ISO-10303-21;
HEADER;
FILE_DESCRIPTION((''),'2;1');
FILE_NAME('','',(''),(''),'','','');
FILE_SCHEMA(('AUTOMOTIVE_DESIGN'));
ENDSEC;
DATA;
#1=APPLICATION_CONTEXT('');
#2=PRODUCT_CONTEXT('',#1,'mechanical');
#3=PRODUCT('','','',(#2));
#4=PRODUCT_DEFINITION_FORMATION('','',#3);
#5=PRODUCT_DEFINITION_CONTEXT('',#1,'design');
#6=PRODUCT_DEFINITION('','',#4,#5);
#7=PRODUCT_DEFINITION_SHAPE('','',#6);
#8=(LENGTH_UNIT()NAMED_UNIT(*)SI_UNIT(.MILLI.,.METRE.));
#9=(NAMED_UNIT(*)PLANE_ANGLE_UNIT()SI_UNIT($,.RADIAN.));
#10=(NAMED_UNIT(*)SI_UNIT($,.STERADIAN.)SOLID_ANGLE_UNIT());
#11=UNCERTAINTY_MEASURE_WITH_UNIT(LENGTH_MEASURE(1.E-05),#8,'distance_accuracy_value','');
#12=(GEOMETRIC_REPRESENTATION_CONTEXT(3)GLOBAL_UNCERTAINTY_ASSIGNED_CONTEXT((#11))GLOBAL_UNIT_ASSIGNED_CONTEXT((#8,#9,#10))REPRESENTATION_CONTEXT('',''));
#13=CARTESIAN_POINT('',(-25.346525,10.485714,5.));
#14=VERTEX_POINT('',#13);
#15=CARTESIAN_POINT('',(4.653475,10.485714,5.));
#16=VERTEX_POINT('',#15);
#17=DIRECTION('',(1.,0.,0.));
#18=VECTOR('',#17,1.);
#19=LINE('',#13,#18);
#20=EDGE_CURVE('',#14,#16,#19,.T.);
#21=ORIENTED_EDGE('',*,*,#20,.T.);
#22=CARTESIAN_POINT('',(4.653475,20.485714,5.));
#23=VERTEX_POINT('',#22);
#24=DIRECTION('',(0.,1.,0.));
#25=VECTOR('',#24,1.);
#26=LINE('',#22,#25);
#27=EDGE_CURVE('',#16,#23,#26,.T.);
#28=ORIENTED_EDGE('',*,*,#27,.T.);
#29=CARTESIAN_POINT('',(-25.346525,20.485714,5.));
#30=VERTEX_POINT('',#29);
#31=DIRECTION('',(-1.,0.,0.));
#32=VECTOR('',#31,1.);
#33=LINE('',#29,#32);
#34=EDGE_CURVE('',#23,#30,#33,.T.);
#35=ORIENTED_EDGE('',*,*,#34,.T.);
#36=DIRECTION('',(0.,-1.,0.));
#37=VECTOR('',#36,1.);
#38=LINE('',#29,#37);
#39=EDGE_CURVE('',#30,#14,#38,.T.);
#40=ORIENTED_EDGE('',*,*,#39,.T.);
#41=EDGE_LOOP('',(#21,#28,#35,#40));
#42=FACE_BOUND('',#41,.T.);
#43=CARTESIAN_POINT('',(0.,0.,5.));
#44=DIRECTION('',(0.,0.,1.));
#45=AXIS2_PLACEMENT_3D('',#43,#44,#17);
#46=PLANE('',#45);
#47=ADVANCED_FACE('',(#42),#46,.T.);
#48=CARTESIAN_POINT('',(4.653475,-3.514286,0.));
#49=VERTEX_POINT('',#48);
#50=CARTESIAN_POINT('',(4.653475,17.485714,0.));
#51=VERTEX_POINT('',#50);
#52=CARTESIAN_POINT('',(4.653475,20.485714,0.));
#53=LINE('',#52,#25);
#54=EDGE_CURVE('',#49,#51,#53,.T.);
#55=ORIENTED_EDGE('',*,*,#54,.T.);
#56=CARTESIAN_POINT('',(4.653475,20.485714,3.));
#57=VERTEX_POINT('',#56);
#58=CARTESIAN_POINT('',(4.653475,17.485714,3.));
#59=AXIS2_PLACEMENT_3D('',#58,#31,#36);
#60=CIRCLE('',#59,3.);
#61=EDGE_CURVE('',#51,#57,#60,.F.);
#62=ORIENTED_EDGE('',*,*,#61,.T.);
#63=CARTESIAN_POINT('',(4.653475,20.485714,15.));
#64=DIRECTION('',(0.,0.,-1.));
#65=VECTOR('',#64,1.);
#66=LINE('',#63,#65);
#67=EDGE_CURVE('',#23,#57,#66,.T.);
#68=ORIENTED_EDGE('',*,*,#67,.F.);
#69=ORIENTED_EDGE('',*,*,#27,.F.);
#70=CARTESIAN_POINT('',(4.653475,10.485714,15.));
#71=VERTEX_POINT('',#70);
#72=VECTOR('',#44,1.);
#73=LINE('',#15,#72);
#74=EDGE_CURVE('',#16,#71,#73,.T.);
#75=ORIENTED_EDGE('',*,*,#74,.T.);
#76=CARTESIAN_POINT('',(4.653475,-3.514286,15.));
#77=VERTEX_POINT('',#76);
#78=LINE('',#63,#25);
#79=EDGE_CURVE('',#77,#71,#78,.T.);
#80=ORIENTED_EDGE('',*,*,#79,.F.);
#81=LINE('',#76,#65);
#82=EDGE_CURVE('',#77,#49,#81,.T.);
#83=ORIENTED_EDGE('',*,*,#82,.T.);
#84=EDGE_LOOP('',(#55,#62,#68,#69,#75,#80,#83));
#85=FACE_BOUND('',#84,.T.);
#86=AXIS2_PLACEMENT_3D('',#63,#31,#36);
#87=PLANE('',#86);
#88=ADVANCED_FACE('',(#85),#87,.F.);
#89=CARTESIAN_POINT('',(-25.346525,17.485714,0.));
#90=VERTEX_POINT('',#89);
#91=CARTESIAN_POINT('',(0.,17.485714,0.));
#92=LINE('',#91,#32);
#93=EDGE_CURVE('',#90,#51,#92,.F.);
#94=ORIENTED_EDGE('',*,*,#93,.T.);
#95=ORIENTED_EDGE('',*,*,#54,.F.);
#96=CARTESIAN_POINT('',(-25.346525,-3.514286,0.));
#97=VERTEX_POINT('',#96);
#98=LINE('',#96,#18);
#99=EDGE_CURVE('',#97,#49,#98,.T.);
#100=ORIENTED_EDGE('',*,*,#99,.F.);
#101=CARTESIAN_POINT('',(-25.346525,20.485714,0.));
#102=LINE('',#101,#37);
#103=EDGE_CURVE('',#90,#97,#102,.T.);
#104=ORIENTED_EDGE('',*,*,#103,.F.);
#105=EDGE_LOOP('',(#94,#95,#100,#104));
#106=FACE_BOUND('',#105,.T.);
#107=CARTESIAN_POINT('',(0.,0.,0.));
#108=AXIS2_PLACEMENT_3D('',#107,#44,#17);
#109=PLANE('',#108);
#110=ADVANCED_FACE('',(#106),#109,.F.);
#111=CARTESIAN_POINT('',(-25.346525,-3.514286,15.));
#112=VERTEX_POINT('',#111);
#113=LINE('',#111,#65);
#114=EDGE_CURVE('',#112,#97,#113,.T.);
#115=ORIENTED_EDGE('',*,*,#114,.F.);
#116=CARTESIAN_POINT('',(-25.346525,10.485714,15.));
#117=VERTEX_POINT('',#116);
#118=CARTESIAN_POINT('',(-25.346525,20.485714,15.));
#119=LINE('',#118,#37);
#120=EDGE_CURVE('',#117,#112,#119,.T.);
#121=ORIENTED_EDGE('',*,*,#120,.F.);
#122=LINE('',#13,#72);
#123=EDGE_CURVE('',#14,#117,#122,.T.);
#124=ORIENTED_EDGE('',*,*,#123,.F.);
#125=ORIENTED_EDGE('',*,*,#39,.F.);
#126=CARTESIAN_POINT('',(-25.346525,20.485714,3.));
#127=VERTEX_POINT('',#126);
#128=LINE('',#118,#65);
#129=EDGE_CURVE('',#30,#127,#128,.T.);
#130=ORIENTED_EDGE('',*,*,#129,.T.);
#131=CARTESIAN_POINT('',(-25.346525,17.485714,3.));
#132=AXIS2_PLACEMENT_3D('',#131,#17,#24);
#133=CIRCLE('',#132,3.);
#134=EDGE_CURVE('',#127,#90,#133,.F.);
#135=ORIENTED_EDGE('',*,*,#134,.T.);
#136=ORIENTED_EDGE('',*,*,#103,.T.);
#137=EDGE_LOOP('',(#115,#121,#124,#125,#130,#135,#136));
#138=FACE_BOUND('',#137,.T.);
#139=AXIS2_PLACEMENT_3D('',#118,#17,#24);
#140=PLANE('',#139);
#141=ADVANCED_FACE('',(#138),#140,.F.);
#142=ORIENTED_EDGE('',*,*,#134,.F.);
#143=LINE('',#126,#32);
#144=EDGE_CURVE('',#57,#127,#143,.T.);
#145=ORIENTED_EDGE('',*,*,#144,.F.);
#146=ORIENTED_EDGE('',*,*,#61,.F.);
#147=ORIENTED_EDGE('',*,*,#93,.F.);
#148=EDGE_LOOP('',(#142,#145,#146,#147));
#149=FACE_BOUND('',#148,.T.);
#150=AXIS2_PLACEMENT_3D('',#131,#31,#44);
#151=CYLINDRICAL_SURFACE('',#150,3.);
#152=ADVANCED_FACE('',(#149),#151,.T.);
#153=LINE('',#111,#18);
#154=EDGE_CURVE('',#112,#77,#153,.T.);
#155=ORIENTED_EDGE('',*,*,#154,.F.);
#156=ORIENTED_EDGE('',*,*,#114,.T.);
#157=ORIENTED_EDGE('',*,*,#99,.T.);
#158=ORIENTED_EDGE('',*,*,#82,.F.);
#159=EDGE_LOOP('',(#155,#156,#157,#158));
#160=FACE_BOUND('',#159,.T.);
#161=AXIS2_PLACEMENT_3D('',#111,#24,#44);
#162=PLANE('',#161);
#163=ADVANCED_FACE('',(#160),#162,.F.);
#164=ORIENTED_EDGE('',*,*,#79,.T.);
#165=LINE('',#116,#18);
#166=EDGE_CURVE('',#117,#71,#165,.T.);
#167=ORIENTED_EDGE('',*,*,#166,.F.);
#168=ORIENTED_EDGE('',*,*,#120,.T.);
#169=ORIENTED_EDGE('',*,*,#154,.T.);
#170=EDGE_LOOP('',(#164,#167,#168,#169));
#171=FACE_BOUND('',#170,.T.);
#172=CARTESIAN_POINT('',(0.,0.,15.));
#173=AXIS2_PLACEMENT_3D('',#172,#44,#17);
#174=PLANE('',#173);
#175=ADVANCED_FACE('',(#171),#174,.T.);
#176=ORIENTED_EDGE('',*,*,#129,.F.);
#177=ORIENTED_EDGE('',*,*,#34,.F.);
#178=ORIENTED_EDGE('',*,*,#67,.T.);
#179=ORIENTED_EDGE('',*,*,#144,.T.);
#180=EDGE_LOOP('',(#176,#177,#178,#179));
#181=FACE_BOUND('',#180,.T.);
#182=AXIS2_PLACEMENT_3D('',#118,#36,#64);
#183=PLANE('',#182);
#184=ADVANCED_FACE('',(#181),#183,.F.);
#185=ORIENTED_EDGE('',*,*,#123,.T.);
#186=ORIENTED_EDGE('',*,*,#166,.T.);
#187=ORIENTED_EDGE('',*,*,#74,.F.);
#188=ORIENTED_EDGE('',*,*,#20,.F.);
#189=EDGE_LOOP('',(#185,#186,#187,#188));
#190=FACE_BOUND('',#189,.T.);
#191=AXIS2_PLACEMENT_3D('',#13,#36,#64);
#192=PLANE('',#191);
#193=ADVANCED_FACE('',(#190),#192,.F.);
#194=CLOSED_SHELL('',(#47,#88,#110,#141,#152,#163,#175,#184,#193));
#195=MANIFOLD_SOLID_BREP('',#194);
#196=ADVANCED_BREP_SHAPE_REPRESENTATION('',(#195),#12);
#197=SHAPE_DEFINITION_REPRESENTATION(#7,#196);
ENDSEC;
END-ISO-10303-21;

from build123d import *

# Parameters (mm, degrees)
SKETCH_1_W          = 30
SKETCH_1_H          = 24
EXTRUDE_1_DEPTH     = 15
SKETCH_2_W          = 30
SKETCH_2_H          = 10
CUT_EXTRUDE_1_DEPTH = 10
FILLET_1_R          = 3


with BuildPart() as part:
    # 草图1 → 凸台-拉伸1 (new body)
    with BuildSketch(Plane.XY):
        with Locations((-10.346525097, 8.485714286)):
            Rectangle(SKETCH_1_W, SKETCH_1_H)
    extrude(amount=EXTRUDE_1_DEPTH)

    # 草图2 → 切除-拉伸1 (cut)
    with BuildSketch(Plane.XY.offset(15)):
        with Locations((-10.346525097, 15.485714286)):
            Rectangle(SKETCH_2_W, SKETCH_2_H)
    extrude(amount=-CUT_EXTRUDE_1_DEPTH, mode=Mode.SUBTRACT)

    # 圆角1
    fillet_1_edges = [part.edges().sort_by_distance(p)[0] for p in [
        (-10.346525097, 20.485714286, 0),
    ]]
    fillet(fillet_1_edges, radius=FILLET_1_R)


solid = part.part
